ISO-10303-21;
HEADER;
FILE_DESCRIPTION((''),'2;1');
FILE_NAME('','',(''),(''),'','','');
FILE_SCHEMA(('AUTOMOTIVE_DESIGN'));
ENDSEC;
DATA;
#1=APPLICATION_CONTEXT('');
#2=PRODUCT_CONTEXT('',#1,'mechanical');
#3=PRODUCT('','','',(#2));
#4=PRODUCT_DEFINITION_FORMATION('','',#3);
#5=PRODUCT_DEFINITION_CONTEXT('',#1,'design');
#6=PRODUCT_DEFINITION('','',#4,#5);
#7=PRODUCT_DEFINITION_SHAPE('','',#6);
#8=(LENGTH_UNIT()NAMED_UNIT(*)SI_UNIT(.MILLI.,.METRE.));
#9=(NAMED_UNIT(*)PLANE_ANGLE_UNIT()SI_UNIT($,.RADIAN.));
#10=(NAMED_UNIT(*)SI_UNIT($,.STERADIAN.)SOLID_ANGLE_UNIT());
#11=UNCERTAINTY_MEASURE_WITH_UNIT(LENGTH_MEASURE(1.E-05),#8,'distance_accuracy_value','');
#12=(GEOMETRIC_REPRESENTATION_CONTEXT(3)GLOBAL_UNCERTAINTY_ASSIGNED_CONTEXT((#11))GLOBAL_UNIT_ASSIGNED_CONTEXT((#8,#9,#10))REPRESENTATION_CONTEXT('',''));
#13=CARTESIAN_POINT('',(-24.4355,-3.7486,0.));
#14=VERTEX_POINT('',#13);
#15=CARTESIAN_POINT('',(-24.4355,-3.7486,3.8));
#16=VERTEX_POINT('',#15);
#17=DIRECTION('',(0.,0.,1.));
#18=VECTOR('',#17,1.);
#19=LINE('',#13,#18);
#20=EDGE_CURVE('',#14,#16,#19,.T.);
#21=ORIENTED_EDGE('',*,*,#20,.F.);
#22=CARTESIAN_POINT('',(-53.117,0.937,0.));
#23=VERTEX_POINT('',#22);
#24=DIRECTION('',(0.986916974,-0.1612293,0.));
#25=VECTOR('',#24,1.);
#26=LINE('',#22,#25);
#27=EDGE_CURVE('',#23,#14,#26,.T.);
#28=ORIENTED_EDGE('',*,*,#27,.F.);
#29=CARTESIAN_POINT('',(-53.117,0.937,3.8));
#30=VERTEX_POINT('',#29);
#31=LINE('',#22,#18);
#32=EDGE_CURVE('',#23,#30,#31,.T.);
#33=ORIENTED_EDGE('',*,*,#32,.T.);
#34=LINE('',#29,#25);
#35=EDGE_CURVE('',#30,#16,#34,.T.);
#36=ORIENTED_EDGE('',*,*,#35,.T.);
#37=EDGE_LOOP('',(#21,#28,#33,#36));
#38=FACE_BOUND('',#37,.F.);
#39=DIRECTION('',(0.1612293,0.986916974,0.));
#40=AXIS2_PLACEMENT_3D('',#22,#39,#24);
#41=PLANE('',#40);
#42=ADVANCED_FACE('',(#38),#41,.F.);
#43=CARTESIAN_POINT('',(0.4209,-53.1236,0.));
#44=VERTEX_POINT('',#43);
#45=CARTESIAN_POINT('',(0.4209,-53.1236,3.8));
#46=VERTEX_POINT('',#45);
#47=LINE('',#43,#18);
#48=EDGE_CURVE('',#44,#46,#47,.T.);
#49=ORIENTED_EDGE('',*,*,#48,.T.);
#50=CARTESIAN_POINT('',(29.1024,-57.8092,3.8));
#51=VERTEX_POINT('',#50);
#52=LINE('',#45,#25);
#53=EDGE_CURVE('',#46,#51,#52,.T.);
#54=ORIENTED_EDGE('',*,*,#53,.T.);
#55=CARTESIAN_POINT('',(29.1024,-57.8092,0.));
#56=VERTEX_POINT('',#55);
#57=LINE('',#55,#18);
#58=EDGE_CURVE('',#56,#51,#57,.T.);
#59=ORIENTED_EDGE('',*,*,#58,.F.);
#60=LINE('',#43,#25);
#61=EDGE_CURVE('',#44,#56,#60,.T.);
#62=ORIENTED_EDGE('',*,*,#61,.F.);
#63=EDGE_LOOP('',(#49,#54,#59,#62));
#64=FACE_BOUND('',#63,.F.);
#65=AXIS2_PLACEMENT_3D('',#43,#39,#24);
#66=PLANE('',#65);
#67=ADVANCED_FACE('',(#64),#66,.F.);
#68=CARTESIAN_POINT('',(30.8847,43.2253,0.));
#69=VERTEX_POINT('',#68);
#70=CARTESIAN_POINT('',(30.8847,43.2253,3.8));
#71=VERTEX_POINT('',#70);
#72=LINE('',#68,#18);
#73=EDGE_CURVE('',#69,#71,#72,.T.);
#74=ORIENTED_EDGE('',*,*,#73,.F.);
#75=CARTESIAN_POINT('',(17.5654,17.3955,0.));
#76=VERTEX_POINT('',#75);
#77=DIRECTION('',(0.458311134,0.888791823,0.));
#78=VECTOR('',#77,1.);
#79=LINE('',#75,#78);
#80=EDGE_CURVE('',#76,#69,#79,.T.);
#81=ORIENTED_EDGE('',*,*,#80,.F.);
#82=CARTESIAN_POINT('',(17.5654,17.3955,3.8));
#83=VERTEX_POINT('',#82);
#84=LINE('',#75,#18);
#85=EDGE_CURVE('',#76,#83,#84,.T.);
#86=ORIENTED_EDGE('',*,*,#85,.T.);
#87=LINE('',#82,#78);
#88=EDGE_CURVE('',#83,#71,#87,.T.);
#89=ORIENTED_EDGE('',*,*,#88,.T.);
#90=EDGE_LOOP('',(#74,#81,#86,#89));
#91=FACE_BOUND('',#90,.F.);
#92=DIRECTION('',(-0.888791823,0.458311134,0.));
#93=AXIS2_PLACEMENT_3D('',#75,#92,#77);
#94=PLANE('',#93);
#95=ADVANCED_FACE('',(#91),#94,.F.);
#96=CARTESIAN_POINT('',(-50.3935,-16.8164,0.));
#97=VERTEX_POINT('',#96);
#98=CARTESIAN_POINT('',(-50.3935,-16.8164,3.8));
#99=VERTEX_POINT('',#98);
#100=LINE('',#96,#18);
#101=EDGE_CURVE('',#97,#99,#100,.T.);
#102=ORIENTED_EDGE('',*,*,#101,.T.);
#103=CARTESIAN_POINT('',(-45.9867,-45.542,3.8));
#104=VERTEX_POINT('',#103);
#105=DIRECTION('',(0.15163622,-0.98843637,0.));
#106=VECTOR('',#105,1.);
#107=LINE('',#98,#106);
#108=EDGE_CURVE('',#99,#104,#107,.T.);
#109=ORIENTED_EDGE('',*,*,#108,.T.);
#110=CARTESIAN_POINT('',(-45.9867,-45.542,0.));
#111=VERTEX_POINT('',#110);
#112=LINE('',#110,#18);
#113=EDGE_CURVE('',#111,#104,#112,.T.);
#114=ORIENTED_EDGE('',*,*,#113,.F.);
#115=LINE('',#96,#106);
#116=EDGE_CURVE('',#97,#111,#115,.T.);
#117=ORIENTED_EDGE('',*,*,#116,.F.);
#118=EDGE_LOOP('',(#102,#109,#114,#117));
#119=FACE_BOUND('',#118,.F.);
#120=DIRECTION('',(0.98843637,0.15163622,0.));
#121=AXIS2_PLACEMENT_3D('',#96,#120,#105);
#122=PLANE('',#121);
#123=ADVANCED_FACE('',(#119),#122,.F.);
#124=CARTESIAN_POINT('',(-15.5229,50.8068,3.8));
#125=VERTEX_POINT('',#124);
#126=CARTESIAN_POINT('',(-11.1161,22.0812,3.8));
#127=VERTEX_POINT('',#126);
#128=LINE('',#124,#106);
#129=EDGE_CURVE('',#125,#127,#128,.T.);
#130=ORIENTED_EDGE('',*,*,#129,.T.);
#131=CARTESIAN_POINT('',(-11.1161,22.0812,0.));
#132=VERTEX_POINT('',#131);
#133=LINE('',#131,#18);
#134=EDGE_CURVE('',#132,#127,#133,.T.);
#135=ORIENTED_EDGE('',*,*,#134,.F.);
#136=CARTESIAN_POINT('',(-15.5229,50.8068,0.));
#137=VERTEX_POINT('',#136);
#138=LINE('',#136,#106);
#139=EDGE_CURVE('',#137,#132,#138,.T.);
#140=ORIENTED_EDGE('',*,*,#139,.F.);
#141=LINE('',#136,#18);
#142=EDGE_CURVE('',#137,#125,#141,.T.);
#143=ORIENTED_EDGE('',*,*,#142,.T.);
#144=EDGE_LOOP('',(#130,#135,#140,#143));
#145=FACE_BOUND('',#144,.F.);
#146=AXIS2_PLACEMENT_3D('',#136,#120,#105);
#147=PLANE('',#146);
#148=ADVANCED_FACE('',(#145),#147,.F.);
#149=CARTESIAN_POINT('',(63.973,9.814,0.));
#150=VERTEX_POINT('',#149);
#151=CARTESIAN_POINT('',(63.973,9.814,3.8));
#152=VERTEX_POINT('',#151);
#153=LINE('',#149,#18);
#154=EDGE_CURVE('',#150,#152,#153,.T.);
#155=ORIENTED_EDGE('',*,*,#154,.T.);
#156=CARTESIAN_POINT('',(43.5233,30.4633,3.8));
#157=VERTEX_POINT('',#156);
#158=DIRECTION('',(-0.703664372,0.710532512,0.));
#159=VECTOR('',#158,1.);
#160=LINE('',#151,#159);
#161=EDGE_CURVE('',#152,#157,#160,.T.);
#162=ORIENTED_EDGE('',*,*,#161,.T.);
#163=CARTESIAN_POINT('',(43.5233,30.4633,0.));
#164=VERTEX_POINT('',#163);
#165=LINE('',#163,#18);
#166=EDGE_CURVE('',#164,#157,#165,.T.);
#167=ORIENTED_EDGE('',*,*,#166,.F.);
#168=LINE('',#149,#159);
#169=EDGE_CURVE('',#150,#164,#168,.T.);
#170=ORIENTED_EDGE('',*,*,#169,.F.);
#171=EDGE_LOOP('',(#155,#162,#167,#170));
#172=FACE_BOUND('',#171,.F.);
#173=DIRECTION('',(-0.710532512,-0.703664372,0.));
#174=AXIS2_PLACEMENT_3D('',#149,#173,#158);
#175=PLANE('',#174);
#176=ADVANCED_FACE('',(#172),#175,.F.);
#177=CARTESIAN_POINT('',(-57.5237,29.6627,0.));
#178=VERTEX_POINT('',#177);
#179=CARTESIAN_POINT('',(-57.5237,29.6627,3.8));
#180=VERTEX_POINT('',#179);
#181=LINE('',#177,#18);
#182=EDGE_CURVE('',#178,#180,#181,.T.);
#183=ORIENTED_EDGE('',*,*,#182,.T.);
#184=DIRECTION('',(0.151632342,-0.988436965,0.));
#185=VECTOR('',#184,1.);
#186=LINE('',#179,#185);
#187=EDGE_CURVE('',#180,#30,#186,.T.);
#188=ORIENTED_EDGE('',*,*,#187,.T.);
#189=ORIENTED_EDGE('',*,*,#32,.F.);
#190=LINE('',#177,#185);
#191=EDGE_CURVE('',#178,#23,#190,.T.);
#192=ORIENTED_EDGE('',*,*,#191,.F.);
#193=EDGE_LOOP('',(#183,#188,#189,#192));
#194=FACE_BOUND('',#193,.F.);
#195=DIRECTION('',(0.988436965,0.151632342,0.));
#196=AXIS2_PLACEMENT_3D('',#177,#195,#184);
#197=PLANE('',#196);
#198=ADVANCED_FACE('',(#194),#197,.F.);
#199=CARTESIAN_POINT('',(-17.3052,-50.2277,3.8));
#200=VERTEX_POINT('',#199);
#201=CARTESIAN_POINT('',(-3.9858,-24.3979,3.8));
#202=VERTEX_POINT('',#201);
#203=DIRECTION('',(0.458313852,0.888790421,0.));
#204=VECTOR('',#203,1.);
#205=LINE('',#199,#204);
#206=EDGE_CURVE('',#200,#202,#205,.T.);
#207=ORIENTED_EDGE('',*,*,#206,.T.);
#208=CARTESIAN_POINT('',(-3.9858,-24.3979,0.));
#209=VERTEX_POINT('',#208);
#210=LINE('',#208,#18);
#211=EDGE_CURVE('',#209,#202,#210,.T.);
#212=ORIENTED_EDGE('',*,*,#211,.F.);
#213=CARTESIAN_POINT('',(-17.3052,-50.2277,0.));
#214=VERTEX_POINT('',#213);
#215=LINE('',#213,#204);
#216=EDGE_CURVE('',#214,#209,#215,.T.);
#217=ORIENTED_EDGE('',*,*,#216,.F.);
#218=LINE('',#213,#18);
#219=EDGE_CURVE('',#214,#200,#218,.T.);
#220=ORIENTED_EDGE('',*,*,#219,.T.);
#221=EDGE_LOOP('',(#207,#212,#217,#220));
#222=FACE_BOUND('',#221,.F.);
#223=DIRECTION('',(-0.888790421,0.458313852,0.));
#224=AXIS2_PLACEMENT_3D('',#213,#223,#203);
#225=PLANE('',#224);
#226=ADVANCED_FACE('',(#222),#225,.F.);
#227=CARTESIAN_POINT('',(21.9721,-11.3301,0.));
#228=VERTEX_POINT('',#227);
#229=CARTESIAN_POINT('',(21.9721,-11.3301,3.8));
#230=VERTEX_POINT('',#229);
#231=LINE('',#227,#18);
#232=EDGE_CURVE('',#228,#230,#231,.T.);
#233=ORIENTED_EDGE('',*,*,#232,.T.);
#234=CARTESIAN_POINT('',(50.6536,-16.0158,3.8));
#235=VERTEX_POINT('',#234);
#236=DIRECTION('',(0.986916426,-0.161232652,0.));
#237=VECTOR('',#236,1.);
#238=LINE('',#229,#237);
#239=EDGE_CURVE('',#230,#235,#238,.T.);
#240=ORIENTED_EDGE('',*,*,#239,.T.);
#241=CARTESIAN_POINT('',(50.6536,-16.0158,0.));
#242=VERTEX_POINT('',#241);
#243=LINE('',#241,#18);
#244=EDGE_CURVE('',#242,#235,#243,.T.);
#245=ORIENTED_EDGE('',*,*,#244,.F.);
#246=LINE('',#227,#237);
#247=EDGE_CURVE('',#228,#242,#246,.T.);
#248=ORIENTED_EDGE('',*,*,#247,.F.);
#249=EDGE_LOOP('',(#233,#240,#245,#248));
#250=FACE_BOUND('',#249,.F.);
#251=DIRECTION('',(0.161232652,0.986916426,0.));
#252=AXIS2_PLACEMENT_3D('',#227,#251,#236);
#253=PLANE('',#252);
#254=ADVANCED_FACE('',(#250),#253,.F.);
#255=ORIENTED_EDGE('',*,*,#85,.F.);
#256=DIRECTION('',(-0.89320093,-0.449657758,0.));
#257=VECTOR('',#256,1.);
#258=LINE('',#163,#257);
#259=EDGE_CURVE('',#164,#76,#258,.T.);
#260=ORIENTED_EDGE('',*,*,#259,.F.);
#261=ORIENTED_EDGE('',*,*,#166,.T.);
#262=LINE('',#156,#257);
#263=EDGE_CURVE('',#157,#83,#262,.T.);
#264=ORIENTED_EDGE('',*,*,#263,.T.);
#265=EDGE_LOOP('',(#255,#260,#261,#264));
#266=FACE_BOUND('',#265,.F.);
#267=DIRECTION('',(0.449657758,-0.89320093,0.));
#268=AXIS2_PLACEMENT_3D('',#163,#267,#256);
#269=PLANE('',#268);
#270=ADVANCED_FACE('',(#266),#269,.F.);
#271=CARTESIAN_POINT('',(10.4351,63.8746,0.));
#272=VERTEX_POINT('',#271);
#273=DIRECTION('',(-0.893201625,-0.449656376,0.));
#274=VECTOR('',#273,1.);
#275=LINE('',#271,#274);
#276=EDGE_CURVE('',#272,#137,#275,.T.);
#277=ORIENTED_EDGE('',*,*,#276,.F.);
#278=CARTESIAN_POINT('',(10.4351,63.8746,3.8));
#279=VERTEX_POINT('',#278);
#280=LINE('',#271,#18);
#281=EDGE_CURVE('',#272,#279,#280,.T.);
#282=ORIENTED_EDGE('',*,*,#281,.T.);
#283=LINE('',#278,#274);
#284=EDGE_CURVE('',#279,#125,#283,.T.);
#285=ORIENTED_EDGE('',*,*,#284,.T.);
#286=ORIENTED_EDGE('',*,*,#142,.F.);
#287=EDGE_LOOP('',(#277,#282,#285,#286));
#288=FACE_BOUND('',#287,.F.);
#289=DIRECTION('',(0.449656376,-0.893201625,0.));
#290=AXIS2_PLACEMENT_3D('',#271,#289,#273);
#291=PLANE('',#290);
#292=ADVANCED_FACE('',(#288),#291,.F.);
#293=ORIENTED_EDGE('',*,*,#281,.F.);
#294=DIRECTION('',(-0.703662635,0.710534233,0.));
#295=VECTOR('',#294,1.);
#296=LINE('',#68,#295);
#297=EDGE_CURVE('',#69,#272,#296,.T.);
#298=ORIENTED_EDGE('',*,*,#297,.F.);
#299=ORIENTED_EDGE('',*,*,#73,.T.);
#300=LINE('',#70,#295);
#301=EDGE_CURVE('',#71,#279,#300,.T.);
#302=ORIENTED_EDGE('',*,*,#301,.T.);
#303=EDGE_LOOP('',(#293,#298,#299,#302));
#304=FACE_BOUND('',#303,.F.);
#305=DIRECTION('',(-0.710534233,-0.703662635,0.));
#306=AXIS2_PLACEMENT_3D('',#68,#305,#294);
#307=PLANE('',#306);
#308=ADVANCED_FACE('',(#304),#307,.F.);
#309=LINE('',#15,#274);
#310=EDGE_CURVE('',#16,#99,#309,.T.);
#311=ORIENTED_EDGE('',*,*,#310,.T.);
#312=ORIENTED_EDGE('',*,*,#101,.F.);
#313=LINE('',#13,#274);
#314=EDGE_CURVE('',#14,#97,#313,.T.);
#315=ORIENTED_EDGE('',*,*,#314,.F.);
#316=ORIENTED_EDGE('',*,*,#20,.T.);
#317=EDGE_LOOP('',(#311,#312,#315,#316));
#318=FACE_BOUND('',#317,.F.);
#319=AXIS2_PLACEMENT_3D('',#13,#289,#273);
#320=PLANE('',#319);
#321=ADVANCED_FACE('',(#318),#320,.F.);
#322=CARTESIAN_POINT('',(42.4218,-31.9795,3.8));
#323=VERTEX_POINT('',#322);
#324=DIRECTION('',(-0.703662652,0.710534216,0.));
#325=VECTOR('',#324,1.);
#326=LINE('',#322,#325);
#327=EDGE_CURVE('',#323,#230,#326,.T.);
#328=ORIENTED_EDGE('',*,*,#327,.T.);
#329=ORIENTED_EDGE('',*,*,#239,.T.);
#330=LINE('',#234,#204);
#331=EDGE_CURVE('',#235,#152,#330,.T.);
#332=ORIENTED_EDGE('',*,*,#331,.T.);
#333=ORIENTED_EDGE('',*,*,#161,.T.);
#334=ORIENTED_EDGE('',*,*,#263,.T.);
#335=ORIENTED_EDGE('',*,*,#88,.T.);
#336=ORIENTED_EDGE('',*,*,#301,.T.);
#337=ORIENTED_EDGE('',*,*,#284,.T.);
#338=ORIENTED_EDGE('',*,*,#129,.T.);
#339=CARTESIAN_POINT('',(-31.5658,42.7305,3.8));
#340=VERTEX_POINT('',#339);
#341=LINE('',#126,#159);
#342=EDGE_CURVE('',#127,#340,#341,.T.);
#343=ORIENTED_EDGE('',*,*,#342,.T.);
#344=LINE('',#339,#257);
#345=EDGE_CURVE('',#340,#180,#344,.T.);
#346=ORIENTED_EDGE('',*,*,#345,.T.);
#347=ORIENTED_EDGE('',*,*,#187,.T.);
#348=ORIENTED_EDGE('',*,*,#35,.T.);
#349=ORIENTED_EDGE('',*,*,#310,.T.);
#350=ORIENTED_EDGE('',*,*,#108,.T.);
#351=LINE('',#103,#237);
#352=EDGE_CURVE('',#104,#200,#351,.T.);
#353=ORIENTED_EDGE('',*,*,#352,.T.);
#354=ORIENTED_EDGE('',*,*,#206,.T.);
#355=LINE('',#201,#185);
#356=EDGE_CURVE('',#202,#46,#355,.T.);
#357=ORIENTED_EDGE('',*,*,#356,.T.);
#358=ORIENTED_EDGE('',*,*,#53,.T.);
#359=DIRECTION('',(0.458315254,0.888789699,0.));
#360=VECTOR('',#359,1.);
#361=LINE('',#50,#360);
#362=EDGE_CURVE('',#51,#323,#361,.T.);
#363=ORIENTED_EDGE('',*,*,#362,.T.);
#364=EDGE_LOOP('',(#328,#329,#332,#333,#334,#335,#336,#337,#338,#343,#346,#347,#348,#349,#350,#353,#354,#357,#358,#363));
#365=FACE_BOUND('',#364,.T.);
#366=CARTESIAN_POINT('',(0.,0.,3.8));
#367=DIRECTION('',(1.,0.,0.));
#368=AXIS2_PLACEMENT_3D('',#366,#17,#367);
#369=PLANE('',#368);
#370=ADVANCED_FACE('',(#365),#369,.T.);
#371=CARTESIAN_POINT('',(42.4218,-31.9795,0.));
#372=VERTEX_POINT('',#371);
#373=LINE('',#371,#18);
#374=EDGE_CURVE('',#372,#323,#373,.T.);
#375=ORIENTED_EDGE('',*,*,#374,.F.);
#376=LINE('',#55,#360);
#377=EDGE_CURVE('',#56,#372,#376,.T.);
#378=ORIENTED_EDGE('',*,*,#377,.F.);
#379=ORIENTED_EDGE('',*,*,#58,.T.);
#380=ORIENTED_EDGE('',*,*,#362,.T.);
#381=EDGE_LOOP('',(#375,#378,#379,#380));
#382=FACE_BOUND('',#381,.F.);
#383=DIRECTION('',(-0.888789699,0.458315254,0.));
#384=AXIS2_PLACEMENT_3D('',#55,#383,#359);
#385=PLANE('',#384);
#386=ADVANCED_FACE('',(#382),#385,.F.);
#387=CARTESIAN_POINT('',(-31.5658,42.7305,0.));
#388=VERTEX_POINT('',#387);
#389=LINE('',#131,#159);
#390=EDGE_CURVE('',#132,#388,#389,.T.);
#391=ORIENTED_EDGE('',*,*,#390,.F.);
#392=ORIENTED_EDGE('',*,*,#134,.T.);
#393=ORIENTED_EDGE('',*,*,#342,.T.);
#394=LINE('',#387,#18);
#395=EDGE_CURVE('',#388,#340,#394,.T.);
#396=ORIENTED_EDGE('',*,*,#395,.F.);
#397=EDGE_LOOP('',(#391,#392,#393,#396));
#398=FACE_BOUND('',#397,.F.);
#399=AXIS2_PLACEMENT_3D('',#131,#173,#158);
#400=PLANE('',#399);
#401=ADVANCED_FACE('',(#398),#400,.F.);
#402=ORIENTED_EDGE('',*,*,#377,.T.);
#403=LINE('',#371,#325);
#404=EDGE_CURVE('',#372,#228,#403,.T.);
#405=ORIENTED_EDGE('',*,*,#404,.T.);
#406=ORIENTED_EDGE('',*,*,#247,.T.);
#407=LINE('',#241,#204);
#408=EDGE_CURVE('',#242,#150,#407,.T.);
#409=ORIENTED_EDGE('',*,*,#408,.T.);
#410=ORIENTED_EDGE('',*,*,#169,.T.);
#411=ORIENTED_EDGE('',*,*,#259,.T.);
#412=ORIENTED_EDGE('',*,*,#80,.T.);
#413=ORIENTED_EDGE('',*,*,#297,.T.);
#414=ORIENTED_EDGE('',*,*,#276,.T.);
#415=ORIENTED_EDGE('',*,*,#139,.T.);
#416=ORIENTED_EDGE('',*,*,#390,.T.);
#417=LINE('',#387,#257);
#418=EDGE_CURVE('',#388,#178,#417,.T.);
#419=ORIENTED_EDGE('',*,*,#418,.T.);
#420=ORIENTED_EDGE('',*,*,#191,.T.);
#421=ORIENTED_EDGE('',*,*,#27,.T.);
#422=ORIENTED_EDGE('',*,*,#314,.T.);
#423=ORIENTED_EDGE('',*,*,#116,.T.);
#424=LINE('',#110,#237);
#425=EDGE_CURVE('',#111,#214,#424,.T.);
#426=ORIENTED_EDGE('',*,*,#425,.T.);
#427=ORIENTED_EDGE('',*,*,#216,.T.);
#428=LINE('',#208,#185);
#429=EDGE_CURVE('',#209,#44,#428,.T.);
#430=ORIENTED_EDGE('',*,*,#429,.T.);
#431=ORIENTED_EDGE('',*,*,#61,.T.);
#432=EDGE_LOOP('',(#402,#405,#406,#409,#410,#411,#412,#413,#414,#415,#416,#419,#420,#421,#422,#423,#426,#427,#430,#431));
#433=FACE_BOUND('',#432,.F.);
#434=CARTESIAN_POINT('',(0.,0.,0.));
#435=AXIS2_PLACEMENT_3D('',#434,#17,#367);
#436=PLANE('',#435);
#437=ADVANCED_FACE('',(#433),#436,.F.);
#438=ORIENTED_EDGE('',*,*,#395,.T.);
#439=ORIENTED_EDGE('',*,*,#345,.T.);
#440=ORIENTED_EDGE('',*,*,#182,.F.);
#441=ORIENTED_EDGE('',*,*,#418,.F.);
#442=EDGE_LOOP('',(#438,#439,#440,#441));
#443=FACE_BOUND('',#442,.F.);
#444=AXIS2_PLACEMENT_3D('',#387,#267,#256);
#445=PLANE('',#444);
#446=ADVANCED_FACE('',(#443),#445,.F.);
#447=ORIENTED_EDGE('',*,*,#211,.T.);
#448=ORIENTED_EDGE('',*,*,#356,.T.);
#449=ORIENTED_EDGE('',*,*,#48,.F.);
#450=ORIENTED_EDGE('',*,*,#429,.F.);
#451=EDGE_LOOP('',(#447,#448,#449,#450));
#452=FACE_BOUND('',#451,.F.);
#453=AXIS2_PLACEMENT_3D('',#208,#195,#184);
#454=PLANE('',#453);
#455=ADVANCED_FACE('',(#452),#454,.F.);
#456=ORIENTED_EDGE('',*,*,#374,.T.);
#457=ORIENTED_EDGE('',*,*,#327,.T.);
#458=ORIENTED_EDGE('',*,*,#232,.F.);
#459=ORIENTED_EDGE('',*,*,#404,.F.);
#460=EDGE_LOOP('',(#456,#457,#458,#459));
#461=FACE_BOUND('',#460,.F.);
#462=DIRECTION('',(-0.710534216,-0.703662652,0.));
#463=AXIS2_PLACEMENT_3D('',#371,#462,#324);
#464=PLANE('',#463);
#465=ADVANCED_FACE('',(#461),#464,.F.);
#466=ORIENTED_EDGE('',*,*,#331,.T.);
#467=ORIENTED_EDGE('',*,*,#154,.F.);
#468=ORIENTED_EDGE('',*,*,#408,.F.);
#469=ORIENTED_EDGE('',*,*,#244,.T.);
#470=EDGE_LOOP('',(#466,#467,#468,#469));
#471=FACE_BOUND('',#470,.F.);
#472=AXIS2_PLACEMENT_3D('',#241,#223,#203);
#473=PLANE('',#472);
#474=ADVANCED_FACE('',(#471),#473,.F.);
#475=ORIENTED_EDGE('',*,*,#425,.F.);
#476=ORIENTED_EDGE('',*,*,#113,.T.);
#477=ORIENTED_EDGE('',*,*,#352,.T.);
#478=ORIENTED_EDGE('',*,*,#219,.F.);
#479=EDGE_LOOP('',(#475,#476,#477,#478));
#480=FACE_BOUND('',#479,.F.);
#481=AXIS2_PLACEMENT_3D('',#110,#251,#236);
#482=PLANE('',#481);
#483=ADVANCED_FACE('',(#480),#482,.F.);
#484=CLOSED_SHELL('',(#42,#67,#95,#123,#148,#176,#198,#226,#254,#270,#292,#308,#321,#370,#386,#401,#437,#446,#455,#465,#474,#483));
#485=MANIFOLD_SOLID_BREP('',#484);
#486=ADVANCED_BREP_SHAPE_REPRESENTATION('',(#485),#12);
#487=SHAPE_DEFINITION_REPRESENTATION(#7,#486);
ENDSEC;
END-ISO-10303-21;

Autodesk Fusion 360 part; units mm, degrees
sketch "Sketch1" plane through (0, 0, 0) normal (0, 0, 1) x (1, 0, 0)
  line L0 (17.5654, 17.3955) -> (-11.1161, 22.0812)
  line L1 (-11.1161, 22.0812) -> (-24.4355, -3.7486)
  line L2 (-24.4355, -3.7486) -> (-3.9858, -24.3979)
  line L3 (-3.9858, -24.3979) -> (21.9721, -11.3301)
  line L4 (21.9721, -11.3301) -> (17.5654, 17.3955)
  line L5 (17.5654, 17.3955) -> (21.9721, -11.3301)
  line L6 (21.9721, -11.3301) -> (50.6536, -16.0158)
  line L7 (50.6536, -16.0158) -> (63.973, 9.814)
  line L8 (63.973, 9.814) -> (43.5233, 30.4633)
  line L9 (43.5233, 30.4633) -> (17.5654, 17.3955)
  line L10 (17.5654, 17.3955) -> (30.8847, 43.2253)
  line L11 (30.8847, 43.2253) -> (10.4351, 63.8746)
  line L12 (10.4351, 63.8746) -> (-15.5229, 50.8068)
  line L13 (-15.5229, 50.8068) -> (-11.1161, 22.0812)
  line L14 (-11.1161, 22.0812) -> (17.5654, 17.3955)
  line L15 (-11.1161, 22.0812) -> (-31.5658, 42.7305)
  line L16 (-31.5658, 42.7305) -> (-57.5237, 29.6627)
  line L17 (-57.5237, 29.6627) -> (-53.117, 0.937)
  line L18 (-53.117, 0.937) -> (-24.4355, -3.7486)
  line L19 (-24.4355, -3.7486) -> (-11.1161, 22.0812)
  line L20 (-24.4355, -3.7486) -> (-50.3935, -16.8164)
  line L21 (-50.3935, -16.8164) -> (-45.9867, -45.542)
  line L22 (-45.9867, -45.542) -> (-17.3052, -50.2277)
  line L23 (-17.3052, -50.2277) -> (-3.9858, -24.3979)
  line L24 (-3.9858, -24.3979) -> (-24.4355, -3.7486)
  line L25 (-3.9858, -24.3979) -> (0.4209, -53.1236)
  line L26 (0.4209, -53.1236) -> (29.1024, -57.8092)
  line L27 (29.1024, -57.8092) -> (42.4218, -31.9795)
  line L28 (42.4218, -31.9795) -> (21.9721, -11.3301)
  line L29 (21.9721, -11.3301) -> (-3.9858, -24.3979)
  point P0 (39.5375, 6.0654)
  point P1 (6.4492, 39.4767)
  point P2 (-35.5516, 18.3326)
  point P3 (-28.4213, -28.1465)
  point P4 (17.9863, -35.7281)
  dimension "d1" = 20
extrude "Extrude1" add sketch "Sketch1" along normal blind 3.8
sketch "Sketch2" plane through (0, 0, 3.8) normal (0, 0, 1) x (-1, 0, 0)
  line L0 (-42.4218, 31.9795) -> (-21.9721, 11.3301)
  line L1 (-21.9721, 11.3301) -> (-50.6536, 16.0158)
  line L2 (-50.6536, 16.0158) -> (-63.973, -9.814)
  line L3 (-63.973, -9.814) -> (-43.5233, -30.4633)
  line L4 (-43.5233, -30.4633) -> (-17.5654, -17.3955)
  line L5 (-17.5654, -17.3955) -> (-30.8847, -43.2253)
  line L6 (-30.8847, -43.2253) -> (-10.4351, -63.8746)
  line L7 (-10.4351, -63.8746) -> (15.5229, -50.8068)
  line L8 (15.5229, -50.8068) -> (11.1161, -22.0812)
  line L9 (11.1161, -22.0812) -> (31.5658, -42.7305)
  line L10 (31.5658, -42.7305) -> (57.5237, -29.6627)
  line L11 (57.5237, -29.6627) -> (53.117, -0.937)
  line L12 (53.117, -0.937) -> (24.4355, 3.7486)
  line L13 (24.4355, 3.7486) -> (50.3935, 16.8164)
  line L14 (50.3935, 16.8164) -> (45.9867, 45.542)
  line L15 (45.9867, 45.542) -> (17.3052, 50.2277)
  line L16 (17.3052, 50.2277) -> (3.9858, 24.3979)
  line L17 (3.9858, 24.3979) -> (-0.4209, 53.1236)
  line L18 (-0.4209, 53.1236) -> (-29.1024, 57.8092)
  line L19 (-29.1024, 57.8092) -> (-42.4218, 31.9795)
